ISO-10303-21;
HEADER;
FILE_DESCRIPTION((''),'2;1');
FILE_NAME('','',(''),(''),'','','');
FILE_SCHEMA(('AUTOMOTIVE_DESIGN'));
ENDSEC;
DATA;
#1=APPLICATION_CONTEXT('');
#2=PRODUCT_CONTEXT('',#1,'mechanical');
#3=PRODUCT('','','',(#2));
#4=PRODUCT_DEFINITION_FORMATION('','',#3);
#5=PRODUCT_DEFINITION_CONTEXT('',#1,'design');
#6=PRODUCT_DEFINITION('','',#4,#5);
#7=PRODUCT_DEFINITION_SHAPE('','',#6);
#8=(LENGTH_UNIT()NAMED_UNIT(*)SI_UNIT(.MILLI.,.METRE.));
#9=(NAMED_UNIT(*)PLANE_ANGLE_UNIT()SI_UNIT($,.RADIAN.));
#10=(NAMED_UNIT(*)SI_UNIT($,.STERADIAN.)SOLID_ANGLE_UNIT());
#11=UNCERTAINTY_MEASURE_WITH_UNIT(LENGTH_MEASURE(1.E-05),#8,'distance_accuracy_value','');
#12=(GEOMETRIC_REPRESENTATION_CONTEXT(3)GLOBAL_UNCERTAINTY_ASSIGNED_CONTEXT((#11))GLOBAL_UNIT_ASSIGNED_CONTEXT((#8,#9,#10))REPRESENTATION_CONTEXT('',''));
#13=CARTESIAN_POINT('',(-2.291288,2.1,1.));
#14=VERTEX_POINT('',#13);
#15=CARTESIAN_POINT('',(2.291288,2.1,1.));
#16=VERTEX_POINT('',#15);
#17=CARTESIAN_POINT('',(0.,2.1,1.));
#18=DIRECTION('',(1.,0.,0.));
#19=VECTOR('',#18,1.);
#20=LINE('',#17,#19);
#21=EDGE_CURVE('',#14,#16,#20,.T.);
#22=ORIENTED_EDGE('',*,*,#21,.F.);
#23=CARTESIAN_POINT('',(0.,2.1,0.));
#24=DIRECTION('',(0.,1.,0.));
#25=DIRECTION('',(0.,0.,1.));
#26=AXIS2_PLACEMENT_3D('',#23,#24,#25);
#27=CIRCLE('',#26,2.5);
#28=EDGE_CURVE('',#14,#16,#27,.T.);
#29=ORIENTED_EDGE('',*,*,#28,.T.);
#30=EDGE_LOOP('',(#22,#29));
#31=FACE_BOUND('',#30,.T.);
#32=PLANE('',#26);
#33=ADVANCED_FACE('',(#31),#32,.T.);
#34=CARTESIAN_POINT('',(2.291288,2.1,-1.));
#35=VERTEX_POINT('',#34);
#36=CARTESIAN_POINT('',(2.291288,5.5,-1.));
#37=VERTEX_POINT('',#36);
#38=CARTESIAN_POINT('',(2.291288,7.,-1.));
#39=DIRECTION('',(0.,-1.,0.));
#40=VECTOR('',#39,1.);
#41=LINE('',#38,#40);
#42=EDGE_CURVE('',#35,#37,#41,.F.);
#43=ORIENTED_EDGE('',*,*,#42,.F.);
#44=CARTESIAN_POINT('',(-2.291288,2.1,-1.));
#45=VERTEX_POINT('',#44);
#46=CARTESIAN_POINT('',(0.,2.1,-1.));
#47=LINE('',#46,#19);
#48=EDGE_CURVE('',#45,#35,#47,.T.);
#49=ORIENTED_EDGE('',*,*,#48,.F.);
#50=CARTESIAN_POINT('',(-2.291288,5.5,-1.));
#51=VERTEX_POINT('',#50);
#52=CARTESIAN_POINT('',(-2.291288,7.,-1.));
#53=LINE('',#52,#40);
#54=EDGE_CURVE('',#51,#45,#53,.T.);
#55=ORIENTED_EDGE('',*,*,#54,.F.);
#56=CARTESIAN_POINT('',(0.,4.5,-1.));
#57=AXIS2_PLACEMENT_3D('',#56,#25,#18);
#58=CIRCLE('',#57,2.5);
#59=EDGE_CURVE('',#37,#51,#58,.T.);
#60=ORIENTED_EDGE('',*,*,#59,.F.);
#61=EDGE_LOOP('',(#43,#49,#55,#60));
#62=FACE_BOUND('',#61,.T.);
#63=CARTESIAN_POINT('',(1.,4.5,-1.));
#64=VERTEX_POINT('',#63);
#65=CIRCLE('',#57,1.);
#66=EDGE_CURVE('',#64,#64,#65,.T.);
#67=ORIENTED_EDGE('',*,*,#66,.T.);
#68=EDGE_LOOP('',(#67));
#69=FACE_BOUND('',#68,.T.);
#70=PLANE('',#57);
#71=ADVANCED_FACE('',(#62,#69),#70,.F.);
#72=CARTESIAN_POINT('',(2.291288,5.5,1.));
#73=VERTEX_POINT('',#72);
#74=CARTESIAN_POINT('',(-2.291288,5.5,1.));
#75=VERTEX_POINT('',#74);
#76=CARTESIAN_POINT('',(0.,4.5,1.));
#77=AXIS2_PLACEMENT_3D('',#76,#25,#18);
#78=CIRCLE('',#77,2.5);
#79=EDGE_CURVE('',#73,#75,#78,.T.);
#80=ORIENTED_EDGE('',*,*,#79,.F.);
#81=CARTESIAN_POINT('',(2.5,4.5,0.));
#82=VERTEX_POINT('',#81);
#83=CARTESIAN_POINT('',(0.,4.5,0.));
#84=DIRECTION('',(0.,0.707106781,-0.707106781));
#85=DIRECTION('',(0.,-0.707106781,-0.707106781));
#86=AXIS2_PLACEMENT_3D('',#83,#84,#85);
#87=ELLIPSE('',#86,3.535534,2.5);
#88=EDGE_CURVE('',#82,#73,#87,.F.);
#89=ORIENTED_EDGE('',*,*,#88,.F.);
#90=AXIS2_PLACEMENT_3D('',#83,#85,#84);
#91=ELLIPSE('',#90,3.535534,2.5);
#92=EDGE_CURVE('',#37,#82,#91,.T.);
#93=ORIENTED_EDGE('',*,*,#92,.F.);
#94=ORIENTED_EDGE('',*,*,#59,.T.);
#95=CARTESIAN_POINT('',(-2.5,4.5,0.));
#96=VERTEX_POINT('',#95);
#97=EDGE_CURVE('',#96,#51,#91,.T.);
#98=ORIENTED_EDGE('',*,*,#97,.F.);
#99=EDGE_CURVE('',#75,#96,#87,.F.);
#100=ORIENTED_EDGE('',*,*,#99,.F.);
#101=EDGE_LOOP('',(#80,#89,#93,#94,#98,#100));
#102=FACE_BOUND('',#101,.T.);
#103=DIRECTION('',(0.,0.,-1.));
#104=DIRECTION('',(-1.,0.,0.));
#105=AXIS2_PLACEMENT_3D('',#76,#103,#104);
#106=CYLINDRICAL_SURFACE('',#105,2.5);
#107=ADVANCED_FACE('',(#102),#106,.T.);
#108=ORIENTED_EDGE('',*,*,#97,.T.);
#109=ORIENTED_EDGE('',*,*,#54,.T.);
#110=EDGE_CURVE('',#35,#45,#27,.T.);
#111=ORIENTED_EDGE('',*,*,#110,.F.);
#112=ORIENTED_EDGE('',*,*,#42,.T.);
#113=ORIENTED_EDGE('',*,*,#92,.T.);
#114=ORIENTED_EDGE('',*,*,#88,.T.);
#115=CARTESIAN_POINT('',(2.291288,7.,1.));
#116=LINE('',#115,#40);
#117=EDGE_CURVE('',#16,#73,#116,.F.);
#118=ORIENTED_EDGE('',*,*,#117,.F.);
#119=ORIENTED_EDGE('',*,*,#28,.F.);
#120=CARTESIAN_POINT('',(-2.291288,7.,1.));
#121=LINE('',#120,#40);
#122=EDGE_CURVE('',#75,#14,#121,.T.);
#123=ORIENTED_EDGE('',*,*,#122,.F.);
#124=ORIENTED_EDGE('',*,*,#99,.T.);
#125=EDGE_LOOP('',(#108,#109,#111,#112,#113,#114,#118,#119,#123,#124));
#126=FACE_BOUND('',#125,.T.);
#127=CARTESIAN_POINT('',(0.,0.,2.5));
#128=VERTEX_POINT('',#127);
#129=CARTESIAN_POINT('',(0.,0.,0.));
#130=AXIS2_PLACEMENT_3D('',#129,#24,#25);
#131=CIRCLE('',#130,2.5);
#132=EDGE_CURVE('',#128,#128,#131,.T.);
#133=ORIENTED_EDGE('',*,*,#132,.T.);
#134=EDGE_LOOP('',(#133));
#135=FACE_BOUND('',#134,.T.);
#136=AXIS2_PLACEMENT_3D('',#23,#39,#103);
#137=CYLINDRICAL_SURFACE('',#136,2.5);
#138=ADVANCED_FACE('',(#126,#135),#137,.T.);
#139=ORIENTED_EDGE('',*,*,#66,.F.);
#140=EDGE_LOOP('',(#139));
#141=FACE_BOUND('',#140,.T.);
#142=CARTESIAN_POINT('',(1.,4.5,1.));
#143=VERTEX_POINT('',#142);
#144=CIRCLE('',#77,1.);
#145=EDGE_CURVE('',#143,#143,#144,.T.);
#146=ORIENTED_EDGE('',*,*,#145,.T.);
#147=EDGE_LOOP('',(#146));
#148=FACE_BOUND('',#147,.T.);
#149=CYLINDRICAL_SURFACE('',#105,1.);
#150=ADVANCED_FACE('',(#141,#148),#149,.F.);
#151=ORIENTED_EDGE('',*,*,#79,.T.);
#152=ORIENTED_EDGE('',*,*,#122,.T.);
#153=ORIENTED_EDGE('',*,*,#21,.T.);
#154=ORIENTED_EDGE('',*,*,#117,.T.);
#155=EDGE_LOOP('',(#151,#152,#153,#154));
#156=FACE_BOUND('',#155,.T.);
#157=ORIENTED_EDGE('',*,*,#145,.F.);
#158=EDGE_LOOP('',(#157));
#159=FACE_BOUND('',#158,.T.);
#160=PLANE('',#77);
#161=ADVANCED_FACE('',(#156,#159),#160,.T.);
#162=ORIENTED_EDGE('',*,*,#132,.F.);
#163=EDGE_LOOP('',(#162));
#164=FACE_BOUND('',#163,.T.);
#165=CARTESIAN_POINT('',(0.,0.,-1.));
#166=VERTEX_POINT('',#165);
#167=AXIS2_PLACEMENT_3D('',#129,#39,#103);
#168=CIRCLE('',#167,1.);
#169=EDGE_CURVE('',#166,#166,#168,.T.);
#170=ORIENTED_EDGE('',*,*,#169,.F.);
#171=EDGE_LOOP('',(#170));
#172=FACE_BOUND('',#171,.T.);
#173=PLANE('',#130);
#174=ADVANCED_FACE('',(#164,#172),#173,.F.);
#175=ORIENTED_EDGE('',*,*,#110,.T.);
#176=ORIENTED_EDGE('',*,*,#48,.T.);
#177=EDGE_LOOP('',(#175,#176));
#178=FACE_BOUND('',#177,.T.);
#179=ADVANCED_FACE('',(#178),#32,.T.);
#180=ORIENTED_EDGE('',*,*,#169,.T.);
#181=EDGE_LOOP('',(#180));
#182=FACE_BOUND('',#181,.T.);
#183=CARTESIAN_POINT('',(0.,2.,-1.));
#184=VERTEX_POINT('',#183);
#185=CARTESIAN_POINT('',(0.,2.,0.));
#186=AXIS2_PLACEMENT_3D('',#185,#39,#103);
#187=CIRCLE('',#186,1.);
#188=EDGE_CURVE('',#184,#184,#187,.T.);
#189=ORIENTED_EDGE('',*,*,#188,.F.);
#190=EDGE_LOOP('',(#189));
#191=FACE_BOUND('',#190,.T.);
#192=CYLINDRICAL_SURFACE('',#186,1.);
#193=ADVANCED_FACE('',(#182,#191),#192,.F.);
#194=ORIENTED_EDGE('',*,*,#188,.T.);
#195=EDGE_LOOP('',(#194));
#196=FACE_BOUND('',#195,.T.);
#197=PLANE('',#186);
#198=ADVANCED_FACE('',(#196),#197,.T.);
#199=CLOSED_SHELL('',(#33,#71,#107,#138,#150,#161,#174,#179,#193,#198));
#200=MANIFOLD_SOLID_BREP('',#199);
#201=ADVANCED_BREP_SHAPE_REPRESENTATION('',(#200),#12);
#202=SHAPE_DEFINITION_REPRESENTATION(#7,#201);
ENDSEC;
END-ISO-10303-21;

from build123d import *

# Parameters (mm, degrees)
SKETCH1_R           = 2.5
SKETCH1_R_2         = 1
BOSS_EXTRUDE2_DEPTH = 2.1
SKETCH2_R           = 1
BOSS_EXTRUDE3_DEPTH = 1
SKETCH4_R           = 1
CUT_EXTRUDE13_DEPTH = 2
SKETCH6_OUTSIDE_W   = 8.99
SKETCH6_OUTSIDE_H   = 8.99
SKETCH6_OUTSIDE_R   = 2.5
CUT_EXTRUDE14_DEPTH = 8.842193571


with BuildPart() as part:
    # Sketch1 → Boss-Extrude2 (new body)
    with BuildSketch(Plane(origin=(0, 0, 0), x_dir=(1, 0, 0), z_dir=(0, 1, 0))):
        with Locations(Location((0, 0, 0), (0, 0, 270))):
            Circle(SKETCH1_R)
        with Locations(Location((0, 0, 0), (0, 0, 270))):
            Circle(SKETCH1_R_2, mode=Mode.SUBTRACT)
    extrude(amount=BOSS_EXTRUDE2_DEPTH)

    # Sketch2 → Boss-Extrude3 (add, symmetric)
    with BuildSketch(Plane.XY):
        with BuildLine():
            Line((2.5, 4.5), (2.5, 0))
            Line((2.5, 0), (-2.5, 0))
            Line((-2.5, 0), (-2.5, 4.5))
            ThreePointArc((-2.5, 4.5), (0, 7), (2.5, 4.5))
        make_face()
        with Locations((0, 4.5)):
            Circle(SKETCH2_R, mode=Mode.SUBTRACT)
    extrude(amount=BOSS_EXTRUDE3_DEPTH, both=True)

    # Sketch4 → Cut-Extrude13 (cut)
    with BuildSketch(Plane.XZ):
        with Locations(Location((0, 0, 0), (0, 0, 270))):
            Circle(SKETCH4_R)
    extrude(amount=-CUT_EXTRUDE13_DEPTH, mode=Mode.SUBTRACT)

    # Sketch6 outside → Cut-Extrude14 (cut, through all)
    with BuildSketch(Plane.XZ):
        Rectangle(SKETCH6_OUTSIDE_W, SKETCH6_OUTSIDE_H)
        with Locations(Location((0, 0, 0), (0, 0, 336.421821522))):
            Circle(SKETCH6_OUTSIDE_R, mode=Mode.SUBTRACT)
    extrude(amount=-CUT_EXTRUDE14_DEPTH, mode=Mode.SUBTRACT)


solid = part.part
